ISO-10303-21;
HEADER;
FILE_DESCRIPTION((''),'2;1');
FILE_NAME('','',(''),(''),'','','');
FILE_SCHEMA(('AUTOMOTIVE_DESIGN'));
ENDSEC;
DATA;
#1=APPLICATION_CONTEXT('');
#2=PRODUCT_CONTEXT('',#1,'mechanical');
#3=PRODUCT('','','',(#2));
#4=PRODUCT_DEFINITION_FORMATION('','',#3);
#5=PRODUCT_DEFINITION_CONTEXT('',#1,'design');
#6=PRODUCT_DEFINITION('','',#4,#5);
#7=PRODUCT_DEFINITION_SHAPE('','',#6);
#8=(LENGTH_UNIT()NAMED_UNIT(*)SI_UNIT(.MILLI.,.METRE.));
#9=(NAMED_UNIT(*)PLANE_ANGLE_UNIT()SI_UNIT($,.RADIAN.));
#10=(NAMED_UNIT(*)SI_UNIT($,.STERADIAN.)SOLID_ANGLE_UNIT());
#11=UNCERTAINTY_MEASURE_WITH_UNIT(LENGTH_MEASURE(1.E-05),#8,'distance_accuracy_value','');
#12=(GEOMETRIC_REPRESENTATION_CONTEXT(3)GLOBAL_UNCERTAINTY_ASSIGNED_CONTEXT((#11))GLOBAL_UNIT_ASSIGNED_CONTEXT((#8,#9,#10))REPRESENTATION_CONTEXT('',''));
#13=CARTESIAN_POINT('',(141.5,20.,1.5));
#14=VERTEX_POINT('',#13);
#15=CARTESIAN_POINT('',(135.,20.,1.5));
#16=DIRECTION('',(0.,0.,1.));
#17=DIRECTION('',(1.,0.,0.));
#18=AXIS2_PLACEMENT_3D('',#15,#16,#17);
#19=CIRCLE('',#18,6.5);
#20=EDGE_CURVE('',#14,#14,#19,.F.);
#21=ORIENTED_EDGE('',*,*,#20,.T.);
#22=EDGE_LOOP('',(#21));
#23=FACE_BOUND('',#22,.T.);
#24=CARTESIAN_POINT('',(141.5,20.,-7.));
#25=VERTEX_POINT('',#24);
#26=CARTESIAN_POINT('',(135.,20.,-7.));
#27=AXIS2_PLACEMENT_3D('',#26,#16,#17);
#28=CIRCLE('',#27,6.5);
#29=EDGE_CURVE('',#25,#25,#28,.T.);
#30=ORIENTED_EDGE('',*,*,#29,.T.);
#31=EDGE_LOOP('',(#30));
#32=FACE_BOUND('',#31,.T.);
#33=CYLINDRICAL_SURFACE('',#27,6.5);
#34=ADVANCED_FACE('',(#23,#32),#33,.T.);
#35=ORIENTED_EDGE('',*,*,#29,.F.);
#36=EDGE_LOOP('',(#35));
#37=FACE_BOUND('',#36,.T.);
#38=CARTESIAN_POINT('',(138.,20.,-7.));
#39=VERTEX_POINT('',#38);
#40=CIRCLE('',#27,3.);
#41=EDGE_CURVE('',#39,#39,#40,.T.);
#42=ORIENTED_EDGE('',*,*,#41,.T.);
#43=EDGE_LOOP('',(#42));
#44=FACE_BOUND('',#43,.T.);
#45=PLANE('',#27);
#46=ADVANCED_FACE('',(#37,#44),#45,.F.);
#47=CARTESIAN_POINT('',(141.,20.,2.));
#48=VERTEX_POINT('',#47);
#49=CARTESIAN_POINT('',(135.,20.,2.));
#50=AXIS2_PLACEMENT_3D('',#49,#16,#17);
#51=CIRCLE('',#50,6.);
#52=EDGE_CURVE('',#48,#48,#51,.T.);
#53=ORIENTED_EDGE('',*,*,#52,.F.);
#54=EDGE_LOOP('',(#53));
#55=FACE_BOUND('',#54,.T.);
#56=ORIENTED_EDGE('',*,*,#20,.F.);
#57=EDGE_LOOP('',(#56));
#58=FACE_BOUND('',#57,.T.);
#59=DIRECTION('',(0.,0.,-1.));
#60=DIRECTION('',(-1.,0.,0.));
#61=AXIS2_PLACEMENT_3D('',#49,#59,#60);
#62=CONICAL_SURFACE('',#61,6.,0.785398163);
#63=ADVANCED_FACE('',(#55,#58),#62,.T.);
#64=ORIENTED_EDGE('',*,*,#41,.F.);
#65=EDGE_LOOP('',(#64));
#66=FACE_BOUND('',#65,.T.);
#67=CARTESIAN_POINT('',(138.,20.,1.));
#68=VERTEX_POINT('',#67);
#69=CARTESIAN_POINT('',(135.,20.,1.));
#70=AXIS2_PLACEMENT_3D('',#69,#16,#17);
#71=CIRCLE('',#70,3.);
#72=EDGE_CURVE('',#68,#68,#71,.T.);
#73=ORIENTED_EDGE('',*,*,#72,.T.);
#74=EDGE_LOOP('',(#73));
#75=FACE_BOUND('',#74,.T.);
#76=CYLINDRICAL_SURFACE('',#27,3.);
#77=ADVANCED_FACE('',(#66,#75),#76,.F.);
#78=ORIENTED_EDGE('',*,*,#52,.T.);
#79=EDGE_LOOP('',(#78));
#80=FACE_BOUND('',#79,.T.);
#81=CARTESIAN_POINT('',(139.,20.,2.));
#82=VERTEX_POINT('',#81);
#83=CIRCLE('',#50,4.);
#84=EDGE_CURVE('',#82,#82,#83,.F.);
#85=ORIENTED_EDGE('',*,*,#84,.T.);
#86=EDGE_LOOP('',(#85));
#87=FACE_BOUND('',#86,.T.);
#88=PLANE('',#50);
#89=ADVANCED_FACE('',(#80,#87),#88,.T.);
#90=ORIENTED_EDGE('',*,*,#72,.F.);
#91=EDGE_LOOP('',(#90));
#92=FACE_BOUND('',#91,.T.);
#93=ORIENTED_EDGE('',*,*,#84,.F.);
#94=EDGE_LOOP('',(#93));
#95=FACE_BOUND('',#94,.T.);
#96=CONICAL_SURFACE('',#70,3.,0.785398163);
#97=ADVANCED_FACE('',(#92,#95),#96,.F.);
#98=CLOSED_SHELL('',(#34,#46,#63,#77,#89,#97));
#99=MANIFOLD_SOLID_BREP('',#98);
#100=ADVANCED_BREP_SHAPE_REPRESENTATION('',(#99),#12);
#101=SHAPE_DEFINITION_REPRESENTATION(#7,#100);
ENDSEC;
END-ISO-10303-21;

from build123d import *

# Parameters (mm, degrees)
EXTRUDE_1_DEPTH      = 2
EXTRUDE_1_DEPTH_BACK = 7
SKETCH_1_R           = 6.5
SKETCH_1_R_2         = 3
CHAMFER_1_SIZE       = 1
CHAMFER_2_SIZE       = 0.5


with BuildPart() as part:
    # Эскиз1 → Бобышка-Вытянуть1 (new, two sides: drawn at the far end of the back side and taken through both)
    with BuildSketch(Plane.XY.offset(-EXTRUDE_1_DEPTH_BACK)):
        with Locations((135, 20)):
            Circle(SKETCH_1_R)
        with Locations((135, 20)):
            Circle(SKETCH_1_R_2, mode=Mode.SUBTRACT)
    extrude(amount=EXTRUDE_1_DEPTH + EXTRUDE_1_DEPTH_BACK)

    # Фаска1
    chamfer_1_edges = [part.edges().sort_by_distance(p)[0] for p in [
        (132, 20, 2),
    ]]
    chamfer(chamfer_1_edges, length=CHAMFER_1_SIZE)

    # Фаска2
    chamfer_2_edges = [part.edges().sort_by_distance(p)[0] for p in [
        (128.5, 20, 2),
    ]]
    chamfer(chamfer_2_edges, length=CHAMFER_2_SIZE)


solid = part.part
